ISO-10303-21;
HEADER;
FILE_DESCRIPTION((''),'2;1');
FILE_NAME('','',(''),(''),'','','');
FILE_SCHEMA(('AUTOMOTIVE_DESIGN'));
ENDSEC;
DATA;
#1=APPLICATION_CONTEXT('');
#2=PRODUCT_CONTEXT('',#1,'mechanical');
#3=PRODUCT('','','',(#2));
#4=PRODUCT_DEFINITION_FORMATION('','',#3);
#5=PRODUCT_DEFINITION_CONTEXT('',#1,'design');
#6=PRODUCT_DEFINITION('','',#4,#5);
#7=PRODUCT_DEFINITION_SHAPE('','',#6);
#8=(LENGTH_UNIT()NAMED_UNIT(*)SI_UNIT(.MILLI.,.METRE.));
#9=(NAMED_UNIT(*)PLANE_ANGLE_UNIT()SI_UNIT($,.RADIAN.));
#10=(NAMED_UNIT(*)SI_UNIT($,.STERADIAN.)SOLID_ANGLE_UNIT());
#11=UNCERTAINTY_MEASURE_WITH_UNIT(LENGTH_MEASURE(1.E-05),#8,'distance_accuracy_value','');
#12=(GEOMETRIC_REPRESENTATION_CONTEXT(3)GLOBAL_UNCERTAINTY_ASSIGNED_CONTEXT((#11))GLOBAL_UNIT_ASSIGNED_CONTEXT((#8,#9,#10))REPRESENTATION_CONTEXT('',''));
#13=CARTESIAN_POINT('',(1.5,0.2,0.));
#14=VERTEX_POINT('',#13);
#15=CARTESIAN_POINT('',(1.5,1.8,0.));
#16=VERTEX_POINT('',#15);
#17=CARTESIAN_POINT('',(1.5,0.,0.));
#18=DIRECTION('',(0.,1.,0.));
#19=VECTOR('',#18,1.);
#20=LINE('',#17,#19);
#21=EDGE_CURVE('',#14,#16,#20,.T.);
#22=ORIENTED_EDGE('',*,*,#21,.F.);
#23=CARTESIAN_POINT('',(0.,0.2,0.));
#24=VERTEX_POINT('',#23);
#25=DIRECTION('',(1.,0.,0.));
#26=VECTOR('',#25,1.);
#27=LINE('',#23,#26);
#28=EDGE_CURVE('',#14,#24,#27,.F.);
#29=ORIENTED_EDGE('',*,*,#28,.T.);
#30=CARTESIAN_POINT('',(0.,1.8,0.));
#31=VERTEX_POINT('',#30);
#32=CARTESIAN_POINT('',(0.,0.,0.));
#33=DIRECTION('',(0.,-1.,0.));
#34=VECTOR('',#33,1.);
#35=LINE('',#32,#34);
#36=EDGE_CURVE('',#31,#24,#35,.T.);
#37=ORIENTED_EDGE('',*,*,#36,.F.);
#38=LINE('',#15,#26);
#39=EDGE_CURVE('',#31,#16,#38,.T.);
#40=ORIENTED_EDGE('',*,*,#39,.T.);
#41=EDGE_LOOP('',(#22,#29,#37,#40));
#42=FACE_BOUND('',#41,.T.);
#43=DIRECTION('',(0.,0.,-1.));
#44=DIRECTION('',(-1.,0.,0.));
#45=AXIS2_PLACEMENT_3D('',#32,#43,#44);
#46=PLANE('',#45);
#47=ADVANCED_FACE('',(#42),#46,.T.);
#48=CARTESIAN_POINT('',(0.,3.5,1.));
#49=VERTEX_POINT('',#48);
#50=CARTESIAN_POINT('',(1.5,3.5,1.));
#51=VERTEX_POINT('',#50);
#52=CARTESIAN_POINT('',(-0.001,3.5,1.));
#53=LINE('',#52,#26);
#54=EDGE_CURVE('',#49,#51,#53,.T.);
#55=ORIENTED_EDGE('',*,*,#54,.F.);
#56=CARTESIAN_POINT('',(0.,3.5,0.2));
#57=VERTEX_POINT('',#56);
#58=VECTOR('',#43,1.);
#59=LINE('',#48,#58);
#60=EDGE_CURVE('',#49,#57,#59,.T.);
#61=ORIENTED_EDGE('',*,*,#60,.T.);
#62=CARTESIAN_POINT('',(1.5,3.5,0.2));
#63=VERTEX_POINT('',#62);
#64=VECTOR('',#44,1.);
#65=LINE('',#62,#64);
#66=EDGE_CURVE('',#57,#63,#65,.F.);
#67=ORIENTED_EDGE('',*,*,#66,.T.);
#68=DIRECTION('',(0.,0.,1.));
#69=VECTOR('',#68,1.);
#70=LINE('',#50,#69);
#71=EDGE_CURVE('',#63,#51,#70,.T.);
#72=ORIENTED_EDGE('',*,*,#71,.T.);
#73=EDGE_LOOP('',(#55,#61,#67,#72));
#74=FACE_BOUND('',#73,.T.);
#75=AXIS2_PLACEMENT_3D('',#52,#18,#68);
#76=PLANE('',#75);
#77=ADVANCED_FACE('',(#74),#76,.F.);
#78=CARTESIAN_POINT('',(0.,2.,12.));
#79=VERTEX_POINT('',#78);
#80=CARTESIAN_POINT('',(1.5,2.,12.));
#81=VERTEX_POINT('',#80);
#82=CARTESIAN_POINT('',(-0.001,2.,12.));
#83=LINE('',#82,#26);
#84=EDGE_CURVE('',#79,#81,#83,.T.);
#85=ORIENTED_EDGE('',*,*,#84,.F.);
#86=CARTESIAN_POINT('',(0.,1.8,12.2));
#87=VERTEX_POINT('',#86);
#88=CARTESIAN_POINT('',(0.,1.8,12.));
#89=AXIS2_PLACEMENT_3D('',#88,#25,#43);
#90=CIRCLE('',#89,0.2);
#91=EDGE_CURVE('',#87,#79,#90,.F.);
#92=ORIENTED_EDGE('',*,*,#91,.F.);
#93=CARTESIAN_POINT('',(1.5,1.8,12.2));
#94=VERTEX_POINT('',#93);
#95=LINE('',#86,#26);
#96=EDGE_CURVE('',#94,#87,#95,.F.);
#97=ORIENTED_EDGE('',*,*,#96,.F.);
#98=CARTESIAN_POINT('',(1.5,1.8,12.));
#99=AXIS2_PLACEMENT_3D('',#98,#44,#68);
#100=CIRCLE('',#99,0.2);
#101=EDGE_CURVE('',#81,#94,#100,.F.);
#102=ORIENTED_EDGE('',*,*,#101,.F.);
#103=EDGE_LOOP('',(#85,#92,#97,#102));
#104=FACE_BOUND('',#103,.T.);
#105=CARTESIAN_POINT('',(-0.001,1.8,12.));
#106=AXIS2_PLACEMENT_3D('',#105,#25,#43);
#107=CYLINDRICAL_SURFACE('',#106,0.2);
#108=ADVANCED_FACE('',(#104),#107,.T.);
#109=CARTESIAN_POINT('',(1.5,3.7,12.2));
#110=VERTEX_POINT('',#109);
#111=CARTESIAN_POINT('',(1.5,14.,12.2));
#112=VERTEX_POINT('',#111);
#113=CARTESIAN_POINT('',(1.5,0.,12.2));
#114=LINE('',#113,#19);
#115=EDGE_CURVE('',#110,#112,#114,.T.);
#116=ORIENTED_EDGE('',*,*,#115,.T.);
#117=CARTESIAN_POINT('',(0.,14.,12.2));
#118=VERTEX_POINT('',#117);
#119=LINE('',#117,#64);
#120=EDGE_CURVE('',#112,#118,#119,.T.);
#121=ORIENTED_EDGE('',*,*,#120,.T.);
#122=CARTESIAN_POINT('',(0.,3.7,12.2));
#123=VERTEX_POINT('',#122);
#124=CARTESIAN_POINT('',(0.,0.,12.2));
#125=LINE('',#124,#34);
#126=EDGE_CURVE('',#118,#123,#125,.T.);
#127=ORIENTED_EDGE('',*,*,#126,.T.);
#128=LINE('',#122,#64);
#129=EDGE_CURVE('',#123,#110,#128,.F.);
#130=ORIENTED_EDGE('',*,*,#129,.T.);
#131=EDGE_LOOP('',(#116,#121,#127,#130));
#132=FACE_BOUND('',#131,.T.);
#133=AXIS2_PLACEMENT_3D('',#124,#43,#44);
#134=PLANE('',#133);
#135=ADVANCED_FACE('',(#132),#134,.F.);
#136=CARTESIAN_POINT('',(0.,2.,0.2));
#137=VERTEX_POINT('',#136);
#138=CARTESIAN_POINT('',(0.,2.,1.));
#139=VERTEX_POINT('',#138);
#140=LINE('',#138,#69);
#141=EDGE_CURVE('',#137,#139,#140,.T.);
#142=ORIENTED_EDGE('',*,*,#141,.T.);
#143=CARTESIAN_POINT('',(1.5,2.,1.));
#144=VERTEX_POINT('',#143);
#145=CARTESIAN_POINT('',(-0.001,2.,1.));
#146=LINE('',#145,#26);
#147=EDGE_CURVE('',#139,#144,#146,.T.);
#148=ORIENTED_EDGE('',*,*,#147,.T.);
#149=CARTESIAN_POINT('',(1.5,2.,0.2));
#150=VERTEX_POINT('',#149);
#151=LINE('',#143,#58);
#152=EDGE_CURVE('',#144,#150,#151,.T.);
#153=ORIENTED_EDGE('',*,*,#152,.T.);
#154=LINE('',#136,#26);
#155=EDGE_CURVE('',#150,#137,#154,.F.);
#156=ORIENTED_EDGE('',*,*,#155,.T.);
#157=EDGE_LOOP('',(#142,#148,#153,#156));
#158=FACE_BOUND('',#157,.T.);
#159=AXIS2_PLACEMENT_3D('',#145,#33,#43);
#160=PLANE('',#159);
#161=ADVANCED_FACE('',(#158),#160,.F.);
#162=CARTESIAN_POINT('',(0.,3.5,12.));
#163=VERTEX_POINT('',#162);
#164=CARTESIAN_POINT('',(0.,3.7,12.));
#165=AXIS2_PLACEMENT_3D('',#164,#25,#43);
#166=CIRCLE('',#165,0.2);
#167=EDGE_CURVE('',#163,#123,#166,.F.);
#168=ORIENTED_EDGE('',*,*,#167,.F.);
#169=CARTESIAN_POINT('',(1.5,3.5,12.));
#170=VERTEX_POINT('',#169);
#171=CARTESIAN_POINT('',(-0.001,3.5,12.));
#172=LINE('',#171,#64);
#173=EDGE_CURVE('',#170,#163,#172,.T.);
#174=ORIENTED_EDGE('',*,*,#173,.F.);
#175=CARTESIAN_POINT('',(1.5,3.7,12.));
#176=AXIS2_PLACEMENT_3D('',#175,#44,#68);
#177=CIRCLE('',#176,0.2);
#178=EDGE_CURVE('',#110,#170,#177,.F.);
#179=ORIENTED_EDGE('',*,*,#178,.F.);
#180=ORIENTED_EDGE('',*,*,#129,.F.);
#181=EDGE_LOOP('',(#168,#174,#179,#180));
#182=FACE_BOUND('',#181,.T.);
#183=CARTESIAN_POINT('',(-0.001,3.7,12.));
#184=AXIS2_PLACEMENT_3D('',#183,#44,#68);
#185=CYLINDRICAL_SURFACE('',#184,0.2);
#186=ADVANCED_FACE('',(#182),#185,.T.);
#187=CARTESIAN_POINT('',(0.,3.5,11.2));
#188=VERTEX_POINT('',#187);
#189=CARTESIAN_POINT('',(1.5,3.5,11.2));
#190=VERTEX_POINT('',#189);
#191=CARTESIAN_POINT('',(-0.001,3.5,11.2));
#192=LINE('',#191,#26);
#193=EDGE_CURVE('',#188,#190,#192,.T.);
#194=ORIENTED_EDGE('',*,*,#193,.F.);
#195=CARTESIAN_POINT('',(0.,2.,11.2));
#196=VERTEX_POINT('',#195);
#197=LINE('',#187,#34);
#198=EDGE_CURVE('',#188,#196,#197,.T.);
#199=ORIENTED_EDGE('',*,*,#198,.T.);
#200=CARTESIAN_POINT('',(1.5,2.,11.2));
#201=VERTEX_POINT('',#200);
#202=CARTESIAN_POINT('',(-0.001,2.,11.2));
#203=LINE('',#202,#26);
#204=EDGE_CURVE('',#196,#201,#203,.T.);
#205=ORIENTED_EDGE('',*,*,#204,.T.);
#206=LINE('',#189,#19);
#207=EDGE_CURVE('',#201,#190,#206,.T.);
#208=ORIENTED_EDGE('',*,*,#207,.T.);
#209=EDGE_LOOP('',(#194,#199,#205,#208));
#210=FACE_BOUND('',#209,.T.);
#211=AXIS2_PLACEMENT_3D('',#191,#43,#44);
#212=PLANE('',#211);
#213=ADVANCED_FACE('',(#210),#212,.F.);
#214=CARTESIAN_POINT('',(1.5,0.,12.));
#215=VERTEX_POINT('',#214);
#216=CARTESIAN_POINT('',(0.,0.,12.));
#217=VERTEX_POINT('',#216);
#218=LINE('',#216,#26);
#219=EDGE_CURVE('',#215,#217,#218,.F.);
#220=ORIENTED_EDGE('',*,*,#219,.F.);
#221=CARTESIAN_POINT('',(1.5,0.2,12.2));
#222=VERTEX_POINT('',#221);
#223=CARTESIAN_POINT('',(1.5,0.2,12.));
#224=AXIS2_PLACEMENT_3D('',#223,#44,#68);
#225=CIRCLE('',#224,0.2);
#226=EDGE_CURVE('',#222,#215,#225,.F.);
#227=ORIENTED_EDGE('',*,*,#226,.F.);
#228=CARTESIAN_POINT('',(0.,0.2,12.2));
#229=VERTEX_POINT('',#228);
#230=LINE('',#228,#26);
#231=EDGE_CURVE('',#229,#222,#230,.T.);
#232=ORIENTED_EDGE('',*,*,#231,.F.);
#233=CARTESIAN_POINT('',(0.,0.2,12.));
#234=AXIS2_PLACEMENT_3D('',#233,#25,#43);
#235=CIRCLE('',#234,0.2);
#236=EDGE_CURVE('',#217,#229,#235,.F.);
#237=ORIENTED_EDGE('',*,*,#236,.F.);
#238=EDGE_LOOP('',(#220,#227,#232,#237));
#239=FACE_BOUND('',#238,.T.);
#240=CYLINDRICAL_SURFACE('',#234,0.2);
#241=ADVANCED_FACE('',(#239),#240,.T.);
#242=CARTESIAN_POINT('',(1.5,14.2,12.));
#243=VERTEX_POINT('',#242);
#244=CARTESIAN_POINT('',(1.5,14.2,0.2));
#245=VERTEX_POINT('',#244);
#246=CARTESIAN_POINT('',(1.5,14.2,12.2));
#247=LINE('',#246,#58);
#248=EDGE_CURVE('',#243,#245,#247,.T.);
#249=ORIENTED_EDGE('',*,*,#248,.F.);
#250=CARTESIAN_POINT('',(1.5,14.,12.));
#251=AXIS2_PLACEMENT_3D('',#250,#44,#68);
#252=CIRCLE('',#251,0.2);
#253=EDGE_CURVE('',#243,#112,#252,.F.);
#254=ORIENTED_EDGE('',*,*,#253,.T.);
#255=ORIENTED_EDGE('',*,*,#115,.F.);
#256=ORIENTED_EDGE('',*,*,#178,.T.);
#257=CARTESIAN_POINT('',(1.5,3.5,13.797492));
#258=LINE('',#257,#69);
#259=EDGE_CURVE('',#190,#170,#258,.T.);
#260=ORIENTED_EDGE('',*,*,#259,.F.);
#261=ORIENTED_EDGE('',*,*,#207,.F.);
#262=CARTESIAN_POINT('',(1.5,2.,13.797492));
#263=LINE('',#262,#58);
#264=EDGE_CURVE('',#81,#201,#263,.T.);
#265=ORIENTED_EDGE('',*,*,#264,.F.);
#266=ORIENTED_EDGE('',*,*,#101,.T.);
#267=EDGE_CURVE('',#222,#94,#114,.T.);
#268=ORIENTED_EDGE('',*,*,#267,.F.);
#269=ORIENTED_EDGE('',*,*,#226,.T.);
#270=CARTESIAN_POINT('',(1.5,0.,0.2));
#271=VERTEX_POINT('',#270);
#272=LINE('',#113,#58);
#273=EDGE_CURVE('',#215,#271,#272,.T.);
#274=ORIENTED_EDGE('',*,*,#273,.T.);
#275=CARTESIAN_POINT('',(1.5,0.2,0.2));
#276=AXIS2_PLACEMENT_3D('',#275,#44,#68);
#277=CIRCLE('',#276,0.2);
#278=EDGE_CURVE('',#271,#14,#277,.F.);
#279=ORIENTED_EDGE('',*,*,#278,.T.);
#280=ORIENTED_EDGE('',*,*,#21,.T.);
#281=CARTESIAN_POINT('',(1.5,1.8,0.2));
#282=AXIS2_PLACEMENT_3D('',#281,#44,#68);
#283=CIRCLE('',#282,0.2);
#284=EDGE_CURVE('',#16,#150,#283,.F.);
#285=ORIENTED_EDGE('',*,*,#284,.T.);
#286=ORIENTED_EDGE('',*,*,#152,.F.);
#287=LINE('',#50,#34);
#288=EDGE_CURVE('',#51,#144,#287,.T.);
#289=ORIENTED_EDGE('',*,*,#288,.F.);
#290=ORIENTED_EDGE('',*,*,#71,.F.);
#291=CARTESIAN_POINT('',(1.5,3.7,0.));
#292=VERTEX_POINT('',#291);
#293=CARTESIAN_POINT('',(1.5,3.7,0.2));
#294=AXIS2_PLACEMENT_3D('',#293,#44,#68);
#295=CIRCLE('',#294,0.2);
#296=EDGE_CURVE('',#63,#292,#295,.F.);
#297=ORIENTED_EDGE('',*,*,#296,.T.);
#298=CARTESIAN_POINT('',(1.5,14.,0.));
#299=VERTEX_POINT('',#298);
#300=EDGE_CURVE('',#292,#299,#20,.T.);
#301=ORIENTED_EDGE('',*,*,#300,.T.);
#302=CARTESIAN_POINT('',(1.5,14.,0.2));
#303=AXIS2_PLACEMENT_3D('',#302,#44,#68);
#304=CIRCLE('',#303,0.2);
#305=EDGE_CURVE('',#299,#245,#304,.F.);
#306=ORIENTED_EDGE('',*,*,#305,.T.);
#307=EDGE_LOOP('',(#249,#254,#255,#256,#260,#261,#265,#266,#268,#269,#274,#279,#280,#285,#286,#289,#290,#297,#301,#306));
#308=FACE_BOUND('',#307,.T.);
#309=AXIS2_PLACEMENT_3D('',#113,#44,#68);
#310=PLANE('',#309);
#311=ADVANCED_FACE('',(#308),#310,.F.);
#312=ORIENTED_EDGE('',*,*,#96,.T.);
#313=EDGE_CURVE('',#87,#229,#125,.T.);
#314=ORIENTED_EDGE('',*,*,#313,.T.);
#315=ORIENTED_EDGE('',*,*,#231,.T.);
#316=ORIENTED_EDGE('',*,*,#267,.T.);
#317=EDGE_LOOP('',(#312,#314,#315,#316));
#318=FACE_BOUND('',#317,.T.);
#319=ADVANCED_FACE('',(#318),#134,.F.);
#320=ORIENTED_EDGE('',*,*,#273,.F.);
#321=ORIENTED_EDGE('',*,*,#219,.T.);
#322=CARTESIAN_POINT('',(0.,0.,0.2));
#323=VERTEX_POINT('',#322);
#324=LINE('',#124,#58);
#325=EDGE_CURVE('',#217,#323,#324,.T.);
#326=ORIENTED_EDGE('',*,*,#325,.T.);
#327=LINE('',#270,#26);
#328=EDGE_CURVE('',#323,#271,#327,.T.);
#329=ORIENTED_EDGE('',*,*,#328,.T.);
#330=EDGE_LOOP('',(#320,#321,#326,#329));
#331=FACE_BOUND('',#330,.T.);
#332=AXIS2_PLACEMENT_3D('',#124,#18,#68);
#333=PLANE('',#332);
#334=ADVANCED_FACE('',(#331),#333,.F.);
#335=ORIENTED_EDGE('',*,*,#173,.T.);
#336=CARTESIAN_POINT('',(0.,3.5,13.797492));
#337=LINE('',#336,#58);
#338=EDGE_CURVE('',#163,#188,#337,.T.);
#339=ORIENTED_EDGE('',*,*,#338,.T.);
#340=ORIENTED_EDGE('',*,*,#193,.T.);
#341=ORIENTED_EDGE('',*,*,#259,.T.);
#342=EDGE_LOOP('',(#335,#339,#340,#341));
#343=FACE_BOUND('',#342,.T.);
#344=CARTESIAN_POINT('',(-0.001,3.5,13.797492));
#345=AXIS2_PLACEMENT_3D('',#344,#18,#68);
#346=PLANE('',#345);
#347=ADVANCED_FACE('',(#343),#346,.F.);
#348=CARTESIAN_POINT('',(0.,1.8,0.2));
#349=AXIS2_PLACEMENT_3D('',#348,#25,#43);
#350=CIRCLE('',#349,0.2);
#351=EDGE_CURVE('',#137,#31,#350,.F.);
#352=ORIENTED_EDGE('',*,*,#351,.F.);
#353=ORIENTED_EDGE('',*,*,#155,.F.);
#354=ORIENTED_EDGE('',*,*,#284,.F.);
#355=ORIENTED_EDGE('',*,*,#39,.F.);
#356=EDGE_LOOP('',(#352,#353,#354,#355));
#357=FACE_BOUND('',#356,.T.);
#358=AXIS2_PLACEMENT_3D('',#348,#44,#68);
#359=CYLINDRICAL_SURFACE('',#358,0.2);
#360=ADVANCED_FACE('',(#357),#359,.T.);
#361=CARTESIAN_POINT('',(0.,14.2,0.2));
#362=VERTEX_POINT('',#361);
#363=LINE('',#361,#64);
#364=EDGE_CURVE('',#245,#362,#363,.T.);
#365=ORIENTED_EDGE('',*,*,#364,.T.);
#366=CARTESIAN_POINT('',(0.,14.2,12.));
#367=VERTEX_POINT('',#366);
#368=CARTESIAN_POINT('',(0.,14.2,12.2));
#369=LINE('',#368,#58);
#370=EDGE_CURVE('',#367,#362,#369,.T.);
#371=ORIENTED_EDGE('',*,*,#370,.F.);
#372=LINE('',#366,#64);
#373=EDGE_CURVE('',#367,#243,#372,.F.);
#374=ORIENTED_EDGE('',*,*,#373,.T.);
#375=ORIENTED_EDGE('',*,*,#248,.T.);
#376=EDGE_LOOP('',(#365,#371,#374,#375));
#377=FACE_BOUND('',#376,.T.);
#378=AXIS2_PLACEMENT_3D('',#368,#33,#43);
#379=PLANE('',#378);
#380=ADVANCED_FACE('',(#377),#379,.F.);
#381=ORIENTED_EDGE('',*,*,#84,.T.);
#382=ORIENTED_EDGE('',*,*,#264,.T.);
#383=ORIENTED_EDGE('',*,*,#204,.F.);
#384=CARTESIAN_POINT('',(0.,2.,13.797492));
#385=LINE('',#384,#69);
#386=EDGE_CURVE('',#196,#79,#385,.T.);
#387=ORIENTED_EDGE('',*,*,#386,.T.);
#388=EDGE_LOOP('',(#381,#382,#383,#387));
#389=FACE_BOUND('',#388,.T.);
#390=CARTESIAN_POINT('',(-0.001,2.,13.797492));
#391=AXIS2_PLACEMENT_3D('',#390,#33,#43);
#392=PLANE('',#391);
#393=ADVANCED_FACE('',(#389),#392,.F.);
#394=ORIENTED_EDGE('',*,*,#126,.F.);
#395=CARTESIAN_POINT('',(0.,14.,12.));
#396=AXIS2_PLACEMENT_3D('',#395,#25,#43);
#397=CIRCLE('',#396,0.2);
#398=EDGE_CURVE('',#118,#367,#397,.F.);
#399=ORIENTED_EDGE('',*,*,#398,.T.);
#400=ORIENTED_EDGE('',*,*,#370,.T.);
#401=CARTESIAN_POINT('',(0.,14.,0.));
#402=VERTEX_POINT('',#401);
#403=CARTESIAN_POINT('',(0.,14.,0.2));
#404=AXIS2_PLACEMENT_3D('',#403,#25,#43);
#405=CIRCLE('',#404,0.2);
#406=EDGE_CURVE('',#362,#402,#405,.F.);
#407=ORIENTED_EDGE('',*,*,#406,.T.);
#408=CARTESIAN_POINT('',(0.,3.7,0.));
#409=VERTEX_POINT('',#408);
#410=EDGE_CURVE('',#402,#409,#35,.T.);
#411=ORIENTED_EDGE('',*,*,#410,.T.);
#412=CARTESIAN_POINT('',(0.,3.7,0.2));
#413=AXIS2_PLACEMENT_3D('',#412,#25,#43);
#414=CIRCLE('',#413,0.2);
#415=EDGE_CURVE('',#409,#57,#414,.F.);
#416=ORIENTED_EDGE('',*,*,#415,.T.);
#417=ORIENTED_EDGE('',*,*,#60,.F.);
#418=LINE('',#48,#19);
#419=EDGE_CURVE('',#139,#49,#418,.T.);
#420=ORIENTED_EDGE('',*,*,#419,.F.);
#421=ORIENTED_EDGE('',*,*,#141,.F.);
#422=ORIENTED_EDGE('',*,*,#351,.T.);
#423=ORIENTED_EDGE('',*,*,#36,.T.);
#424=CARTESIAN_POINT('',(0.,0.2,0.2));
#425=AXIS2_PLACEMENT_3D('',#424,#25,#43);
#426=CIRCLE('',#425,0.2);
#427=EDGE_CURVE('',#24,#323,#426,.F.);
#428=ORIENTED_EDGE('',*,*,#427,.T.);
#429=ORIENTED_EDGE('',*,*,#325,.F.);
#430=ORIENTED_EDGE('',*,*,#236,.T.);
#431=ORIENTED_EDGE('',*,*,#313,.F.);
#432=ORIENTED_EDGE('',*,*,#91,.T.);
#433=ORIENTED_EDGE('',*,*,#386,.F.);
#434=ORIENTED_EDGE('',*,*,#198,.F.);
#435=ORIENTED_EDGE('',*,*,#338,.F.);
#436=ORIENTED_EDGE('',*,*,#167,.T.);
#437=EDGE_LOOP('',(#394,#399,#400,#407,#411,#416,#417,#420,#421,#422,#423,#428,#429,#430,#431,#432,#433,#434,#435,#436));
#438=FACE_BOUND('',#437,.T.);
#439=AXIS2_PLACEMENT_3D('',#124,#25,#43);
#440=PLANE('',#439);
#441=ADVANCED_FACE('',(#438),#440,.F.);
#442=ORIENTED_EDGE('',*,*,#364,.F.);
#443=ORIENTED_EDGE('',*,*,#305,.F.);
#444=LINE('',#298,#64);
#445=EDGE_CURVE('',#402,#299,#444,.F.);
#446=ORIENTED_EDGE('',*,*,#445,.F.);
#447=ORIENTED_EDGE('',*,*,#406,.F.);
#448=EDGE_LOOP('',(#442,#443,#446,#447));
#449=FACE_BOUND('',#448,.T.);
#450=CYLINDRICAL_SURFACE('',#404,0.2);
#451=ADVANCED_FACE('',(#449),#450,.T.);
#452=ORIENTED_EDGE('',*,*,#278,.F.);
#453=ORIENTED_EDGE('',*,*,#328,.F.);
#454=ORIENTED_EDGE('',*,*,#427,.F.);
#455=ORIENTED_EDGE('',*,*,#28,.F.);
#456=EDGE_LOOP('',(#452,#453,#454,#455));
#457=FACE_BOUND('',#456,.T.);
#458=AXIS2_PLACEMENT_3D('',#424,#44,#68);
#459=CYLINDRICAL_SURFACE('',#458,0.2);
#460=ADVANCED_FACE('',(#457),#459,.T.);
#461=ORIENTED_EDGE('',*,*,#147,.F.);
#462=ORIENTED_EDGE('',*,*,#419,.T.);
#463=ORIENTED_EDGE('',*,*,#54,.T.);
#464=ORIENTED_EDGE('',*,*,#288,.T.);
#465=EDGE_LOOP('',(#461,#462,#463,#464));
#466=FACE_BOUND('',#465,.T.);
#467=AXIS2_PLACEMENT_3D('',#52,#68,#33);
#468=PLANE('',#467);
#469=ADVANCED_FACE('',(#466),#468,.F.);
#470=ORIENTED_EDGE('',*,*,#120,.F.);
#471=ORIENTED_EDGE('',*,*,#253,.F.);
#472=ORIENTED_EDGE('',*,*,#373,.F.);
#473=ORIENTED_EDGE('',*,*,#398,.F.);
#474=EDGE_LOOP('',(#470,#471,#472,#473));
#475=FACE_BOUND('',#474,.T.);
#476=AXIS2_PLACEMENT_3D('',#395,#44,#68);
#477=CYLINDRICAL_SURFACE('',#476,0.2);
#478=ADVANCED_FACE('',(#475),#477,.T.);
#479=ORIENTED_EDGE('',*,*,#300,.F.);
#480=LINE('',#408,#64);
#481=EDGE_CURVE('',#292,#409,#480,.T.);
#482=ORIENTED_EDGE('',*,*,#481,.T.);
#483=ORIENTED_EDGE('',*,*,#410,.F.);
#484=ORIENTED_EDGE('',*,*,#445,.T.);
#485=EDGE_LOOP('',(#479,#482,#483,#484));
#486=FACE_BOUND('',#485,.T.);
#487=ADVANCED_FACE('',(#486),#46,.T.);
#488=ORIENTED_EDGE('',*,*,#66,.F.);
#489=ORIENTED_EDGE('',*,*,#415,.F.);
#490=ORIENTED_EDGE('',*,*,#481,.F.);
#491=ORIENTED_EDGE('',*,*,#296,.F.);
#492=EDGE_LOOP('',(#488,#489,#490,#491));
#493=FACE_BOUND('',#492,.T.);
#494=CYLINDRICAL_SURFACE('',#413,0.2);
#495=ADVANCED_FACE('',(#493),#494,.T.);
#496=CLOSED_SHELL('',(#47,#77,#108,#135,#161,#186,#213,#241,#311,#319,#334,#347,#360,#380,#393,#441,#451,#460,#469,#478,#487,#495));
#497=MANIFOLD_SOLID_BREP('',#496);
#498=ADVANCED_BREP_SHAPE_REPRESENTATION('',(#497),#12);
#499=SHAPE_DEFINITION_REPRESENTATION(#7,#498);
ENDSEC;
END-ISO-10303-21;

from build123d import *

# Parameters (mm, degrees)
SKETCH_1_W          = 1.5
SKETCH_1_H          = 14.2
EXTRUDE_1_DEPTH     = 12.2
CUT_EXTRUDE_2_REACH = 20.781
SKETCH_5_W          = 2.597491907
SKETCH_5_H          = 1.5
SKETCH_5_W_2        = 2.655260115
FILLET_1_R          = 0.2


with BuildPart() as part:
    # 草图1 → 凸台-拉伸1 (new body)
    with BuildSketch(Plane.XY):
        with Locations((0.75, 7.1)):
            Rectangle(SKETCH_1_W, SKETCH_1_H)
    extrude(amount=EXTRUDE_1_DEPTH)

    # 草图5 → 切除-拉伸2 (cut, up to next)
    with BuildSketch(Plane(origin=(1.5, 0, 0), x_dir=(0, 0, -1), z_dir=(1, 0, 0)), mode=Mode.PRIVATE) as cut_extrude_2_sk1:
        with Locations((-12.498745954, 2.75)):
            Rectangle(SKETCH_5_W, SKETCH_5_H)
    cut_extrude_2_tool1 = extrude(cut_extrude_2_sk1.sketch, amount=-CUT_EXTRUDE_2_REACH, mode=Mode.PRIVATE) & part.part
    # 草图5 → 切除-拉伸2 (cut, up to next)
    with BuildSketch(Plane(origin=(1.5, 0, 0), x_dir=(0, 0, -1), z_dir=(1, 0, 0)), mode=Mode.PRIVATE) as cut_extrude_2_sk2:
        with Locations((0.327630058, 2.75)):
            Rectangle(SKETCH_5_W_2, SKETCH_5_H)
    cut_extrude_2_tool2 = extrude(cut_extrude_2_sk2.sketch, amount=-CUT_EXTRUDE_2_REACH, mode=Mode.PRIVATE) & part.part
    add(cut_extrude_2_tool1.solids().sort_by_distance((1.5, 2.75, 12.498746))[0], mode=Mode.SUBTRACT)
    add(cut_extrude_2_tool2.solids().sort_by_distance((1.5, 2.75, -0.32763))[0], mode=Mode.SUBTRACT)

    # 圆角1
    fillet_1_edges = [part.edges().sort_by_distance(p)[0] for p in [
        (0.75, 14.2, 12.2),
        (0.75, 3.5, 12.2),
        (0.75, 2, 12.2),
        (0.75, 3.5, 0),
        (0.75, 2, 0),
        (0.75, 14.2, 0),
        (0.75, 0, 0),
        (0.75, 0, 12.2),
    ]]
    fillet(fillet_1_edges, radius=FILLET_1_R)


solid = part.part
